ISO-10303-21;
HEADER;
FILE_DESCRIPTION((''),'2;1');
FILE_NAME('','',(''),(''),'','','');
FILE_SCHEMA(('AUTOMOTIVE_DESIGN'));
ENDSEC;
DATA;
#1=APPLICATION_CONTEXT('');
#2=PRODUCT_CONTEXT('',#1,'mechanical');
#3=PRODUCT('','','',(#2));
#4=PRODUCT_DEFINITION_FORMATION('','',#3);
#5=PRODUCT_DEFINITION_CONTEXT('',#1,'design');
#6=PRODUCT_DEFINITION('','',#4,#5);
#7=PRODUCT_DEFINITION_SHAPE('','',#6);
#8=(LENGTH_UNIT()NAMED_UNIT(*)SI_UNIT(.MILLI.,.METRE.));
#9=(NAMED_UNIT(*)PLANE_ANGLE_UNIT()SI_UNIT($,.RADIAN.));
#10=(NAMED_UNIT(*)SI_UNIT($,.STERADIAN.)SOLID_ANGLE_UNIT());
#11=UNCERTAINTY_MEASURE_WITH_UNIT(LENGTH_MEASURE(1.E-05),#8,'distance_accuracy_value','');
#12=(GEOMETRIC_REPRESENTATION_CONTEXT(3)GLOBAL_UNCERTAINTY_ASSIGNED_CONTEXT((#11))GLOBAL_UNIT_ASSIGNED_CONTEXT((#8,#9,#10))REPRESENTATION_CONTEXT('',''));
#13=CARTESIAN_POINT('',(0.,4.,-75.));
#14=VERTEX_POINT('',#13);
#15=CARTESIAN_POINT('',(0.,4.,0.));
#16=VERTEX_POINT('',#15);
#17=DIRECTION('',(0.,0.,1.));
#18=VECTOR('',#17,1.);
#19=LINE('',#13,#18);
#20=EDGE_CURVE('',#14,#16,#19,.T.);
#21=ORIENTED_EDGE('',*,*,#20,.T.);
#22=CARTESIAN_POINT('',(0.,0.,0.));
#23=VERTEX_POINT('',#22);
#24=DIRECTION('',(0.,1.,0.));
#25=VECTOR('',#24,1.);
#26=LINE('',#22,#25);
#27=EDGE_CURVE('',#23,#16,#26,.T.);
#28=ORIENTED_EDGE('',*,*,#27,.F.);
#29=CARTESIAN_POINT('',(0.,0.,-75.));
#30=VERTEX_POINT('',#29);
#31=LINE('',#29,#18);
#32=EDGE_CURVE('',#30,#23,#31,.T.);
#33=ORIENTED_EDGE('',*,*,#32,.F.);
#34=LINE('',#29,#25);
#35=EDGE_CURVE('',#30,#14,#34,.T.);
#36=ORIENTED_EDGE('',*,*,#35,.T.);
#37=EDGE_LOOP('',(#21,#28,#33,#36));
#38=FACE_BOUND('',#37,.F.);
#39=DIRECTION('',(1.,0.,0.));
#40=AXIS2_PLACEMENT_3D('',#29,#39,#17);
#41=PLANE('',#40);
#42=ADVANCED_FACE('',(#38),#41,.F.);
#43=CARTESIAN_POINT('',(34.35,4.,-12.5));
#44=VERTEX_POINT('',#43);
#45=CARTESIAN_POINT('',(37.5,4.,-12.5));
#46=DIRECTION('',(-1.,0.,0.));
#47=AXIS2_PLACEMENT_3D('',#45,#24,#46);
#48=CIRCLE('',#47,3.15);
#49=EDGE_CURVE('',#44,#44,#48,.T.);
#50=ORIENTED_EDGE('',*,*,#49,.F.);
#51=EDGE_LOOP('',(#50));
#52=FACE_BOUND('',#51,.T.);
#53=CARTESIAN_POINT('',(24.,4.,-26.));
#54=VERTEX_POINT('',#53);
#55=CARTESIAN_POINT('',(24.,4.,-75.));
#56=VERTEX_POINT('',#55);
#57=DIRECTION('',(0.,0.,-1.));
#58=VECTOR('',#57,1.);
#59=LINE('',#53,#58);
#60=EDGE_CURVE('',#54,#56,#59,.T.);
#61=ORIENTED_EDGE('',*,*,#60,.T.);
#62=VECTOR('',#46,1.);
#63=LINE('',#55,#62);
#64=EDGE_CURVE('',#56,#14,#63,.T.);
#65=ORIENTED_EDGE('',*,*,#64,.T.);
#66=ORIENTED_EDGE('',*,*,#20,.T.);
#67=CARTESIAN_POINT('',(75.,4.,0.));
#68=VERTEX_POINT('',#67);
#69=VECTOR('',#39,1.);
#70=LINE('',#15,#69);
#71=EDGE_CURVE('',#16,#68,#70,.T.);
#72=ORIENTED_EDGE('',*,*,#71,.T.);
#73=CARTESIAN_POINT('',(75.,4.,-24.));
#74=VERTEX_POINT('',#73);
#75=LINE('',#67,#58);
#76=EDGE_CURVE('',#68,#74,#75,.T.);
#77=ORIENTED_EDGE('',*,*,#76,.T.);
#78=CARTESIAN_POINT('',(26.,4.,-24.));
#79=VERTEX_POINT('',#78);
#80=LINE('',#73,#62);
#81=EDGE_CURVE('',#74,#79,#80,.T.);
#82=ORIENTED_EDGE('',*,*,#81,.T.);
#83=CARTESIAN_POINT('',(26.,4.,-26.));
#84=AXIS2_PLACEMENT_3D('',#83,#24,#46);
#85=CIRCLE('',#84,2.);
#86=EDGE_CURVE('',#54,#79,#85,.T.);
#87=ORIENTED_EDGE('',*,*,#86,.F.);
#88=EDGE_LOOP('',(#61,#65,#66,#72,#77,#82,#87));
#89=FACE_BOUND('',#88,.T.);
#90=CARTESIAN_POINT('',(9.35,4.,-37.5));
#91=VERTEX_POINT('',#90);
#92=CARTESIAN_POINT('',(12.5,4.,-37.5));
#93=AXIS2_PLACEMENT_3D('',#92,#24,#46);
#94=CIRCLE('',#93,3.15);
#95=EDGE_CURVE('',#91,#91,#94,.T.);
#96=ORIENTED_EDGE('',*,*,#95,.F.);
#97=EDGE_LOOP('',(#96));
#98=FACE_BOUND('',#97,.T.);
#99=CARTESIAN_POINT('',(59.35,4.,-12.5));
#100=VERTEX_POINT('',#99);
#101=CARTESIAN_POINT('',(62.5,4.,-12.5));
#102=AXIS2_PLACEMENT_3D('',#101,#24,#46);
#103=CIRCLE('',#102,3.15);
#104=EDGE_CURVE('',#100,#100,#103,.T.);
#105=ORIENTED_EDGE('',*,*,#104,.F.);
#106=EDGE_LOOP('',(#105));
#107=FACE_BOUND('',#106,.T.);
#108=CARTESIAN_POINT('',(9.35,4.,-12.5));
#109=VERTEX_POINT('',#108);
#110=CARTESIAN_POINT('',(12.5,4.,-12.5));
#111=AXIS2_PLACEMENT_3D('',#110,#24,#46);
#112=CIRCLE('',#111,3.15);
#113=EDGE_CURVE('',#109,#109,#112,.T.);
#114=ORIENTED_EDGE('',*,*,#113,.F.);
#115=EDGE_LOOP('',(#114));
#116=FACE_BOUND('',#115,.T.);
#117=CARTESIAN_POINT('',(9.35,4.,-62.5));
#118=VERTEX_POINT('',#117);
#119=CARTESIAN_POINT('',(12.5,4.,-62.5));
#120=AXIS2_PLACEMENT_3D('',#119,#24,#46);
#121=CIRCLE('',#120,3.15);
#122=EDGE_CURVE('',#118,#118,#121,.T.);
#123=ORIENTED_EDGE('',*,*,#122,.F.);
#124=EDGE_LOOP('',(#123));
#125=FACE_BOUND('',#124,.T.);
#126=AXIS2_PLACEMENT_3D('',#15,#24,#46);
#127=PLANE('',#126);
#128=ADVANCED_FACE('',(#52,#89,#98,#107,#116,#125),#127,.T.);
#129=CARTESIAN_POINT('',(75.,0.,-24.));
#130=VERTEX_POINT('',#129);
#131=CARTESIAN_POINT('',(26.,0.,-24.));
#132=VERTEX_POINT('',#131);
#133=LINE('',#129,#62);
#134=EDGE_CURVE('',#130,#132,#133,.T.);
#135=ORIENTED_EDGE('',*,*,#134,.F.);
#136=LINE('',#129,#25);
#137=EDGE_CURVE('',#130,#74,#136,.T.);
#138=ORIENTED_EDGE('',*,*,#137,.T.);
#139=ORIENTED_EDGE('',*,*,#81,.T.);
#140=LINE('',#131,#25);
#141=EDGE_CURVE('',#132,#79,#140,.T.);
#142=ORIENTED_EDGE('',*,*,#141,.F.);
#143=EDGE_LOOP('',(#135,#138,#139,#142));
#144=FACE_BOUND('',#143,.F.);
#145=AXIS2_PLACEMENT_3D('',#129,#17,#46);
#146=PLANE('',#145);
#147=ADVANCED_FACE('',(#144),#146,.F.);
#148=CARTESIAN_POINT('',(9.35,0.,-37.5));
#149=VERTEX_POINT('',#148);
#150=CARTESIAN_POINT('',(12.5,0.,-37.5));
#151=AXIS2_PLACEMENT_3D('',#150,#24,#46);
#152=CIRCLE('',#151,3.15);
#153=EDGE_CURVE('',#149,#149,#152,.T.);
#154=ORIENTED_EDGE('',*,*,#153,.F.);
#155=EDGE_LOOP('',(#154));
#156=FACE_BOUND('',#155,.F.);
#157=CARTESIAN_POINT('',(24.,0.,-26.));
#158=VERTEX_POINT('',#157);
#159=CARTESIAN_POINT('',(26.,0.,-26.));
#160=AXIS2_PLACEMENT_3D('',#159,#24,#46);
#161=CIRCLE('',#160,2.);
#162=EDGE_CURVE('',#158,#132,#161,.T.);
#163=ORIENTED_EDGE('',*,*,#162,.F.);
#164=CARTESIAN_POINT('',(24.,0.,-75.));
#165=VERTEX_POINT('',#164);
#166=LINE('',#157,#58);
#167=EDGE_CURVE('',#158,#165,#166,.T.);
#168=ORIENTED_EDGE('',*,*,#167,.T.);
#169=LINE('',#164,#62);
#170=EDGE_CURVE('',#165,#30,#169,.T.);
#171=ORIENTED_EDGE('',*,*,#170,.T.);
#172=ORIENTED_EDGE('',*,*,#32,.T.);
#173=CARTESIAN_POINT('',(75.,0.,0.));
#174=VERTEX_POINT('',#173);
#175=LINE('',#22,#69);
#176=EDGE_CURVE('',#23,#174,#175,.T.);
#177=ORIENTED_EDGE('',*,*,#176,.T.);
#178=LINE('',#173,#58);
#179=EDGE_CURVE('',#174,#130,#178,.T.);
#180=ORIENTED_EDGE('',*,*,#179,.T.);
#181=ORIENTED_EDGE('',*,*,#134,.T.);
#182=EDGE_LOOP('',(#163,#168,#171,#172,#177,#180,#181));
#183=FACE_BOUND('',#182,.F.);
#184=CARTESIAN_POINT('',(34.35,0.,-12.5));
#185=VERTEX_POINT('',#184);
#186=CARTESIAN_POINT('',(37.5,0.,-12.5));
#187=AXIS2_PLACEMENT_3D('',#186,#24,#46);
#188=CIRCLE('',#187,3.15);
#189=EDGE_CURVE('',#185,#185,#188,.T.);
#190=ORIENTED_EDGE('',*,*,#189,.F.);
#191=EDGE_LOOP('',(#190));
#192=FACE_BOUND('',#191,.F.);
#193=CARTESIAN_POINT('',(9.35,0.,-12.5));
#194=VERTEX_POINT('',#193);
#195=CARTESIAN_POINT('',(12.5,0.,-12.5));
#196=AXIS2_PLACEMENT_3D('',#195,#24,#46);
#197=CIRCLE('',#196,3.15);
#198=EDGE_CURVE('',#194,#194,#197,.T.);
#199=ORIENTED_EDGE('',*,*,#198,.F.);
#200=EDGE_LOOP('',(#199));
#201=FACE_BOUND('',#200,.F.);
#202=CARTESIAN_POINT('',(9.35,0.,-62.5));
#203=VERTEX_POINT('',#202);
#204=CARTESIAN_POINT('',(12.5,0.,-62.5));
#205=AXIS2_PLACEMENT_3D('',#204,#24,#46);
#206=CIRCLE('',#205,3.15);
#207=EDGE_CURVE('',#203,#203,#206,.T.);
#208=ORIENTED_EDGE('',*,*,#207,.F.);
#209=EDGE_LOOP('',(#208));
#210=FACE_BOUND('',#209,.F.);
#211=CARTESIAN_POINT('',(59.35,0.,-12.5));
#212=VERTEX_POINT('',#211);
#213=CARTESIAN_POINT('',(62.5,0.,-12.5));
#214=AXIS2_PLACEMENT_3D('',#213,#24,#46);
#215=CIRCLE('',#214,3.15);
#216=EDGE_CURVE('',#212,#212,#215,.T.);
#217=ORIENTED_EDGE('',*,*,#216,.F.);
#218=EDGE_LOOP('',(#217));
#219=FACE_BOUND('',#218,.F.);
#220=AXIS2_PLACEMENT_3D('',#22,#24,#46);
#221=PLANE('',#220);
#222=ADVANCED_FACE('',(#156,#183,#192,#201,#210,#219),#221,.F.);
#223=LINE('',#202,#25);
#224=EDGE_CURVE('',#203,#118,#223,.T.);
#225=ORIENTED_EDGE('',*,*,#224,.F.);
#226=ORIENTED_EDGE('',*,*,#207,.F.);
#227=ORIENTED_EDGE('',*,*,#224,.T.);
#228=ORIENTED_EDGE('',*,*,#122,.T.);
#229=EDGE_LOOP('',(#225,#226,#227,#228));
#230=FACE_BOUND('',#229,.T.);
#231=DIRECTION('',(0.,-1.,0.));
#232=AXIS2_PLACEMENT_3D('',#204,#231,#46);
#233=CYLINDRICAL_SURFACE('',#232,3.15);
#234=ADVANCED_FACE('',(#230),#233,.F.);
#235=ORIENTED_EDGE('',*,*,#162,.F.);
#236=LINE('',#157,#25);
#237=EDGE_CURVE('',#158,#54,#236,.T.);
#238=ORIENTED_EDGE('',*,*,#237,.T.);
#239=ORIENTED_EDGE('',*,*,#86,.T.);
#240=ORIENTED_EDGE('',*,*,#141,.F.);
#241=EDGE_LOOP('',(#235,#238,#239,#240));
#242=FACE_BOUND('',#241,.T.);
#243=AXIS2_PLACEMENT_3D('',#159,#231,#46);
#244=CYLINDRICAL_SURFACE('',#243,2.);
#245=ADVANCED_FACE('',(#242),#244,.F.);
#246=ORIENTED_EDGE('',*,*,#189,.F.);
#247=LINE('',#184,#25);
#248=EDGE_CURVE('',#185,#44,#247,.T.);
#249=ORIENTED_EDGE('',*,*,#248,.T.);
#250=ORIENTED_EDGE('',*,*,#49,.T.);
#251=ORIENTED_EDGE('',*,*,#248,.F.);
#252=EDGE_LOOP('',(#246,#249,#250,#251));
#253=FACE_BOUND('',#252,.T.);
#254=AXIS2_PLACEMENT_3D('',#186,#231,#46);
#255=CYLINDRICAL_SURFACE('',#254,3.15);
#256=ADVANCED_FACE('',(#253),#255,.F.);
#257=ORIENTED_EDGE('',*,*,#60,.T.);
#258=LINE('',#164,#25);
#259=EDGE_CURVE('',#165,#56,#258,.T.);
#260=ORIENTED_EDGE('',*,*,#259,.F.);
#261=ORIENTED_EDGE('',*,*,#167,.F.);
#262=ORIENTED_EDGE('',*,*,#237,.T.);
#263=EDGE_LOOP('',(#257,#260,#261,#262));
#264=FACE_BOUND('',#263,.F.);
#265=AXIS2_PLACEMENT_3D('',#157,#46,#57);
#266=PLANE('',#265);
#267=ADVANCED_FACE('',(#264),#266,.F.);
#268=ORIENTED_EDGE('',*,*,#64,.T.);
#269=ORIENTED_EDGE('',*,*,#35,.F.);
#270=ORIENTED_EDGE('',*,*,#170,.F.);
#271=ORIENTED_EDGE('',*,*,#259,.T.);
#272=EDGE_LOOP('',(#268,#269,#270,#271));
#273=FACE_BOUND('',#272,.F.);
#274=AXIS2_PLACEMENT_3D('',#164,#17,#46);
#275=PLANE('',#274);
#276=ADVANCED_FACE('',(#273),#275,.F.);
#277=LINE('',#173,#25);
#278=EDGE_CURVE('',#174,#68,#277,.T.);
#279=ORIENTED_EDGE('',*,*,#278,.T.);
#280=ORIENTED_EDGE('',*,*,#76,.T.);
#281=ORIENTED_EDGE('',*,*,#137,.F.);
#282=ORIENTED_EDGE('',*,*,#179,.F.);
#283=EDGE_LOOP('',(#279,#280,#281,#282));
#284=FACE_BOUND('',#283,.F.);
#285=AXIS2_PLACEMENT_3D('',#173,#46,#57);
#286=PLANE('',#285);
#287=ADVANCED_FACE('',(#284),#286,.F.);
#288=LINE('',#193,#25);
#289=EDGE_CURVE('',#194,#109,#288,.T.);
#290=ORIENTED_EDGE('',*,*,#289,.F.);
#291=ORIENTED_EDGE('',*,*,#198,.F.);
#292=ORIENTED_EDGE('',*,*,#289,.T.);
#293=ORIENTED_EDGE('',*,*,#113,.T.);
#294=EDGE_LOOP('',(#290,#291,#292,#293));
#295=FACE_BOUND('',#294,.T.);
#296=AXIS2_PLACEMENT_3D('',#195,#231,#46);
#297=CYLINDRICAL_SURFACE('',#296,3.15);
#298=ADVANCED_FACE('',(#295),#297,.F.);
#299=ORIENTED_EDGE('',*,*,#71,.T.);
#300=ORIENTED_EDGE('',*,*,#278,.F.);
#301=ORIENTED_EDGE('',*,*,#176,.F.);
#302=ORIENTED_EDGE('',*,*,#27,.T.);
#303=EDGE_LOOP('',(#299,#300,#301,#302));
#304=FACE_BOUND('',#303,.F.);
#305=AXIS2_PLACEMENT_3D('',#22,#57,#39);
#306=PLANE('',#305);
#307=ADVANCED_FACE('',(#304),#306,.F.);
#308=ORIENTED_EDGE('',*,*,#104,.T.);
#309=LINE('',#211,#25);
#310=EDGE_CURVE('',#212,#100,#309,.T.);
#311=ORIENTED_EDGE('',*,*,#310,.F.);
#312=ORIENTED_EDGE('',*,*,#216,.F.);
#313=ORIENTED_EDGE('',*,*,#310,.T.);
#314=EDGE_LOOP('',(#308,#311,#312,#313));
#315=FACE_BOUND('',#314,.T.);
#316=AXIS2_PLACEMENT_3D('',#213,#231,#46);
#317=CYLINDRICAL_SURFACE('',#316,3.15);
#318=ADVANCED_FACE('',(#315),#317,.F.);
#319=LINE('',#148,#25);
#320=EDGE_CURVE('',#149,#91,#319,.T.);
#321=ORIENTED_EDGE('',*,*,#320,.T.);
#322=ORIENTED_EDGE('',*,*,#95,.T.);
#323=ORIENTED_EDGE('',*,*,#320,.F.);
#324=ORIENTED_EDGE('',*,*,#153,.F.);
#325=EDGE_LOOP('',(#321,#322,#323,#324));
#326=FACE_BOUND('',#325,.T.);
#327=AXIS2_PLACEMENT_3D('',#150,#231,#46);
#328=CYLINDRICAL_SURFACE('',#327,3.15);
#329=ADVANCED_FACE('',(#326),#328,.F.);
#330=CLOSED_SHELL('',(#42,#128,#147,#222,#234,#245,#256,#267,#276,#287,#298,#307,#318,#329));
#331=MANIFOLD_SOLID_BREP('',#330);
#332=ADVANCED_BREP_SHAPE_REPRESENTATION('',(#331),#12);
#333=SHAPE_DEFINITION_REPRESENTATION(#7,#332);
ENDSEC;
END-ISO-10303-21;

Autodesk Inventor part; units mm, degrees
ref_plane "YZ Plane" through (0, 0, 0) normal (1, 0, 0) x (0, 1, 0)
ref_plane "XZ Plane" through (0, 0, 0) normal (0, 1, 0) x (-1, 0, 0)
ref_plane "XY Plane" through (0, 0, 0) normal (0, 0, 1) x (1, 0, 0)
sketch "Sketch_1" plane through (0, 0, 0) normal (0, 1, 0) x (-1, 0, 0)
  line L0 (0, 0) -> (-75, 0)
  line L1 (-75, 0) -> (-75, -24)
  line L2 (-75, -24) -> (-26, -24)
  arc A0 (-24, -26) -> (-26, -24) centre (-26, -26) ccw
  line L3 (-24, -26) -> (-24, -75)
  line L4 (-24, -75) -> (0, -75)
  line L5 (0, -75) -> (0, 0)
  circle A1 centre (-62.5, -12.5) radius 3.15
  circle A2 centre (-37.5, -12.5) radius 3.15
  circle A3 centre (-12.5, -12.5) radius 3.15
  circle A4 centre (-12.5, -37.5) radius 3.15
  circle A5 centre (-12.5, -62.5) radius 3.15
extrude "Extrusion1" add sketch "Sketch_1" along normal blind 4
properties part number "25-4081 Aluminum"
